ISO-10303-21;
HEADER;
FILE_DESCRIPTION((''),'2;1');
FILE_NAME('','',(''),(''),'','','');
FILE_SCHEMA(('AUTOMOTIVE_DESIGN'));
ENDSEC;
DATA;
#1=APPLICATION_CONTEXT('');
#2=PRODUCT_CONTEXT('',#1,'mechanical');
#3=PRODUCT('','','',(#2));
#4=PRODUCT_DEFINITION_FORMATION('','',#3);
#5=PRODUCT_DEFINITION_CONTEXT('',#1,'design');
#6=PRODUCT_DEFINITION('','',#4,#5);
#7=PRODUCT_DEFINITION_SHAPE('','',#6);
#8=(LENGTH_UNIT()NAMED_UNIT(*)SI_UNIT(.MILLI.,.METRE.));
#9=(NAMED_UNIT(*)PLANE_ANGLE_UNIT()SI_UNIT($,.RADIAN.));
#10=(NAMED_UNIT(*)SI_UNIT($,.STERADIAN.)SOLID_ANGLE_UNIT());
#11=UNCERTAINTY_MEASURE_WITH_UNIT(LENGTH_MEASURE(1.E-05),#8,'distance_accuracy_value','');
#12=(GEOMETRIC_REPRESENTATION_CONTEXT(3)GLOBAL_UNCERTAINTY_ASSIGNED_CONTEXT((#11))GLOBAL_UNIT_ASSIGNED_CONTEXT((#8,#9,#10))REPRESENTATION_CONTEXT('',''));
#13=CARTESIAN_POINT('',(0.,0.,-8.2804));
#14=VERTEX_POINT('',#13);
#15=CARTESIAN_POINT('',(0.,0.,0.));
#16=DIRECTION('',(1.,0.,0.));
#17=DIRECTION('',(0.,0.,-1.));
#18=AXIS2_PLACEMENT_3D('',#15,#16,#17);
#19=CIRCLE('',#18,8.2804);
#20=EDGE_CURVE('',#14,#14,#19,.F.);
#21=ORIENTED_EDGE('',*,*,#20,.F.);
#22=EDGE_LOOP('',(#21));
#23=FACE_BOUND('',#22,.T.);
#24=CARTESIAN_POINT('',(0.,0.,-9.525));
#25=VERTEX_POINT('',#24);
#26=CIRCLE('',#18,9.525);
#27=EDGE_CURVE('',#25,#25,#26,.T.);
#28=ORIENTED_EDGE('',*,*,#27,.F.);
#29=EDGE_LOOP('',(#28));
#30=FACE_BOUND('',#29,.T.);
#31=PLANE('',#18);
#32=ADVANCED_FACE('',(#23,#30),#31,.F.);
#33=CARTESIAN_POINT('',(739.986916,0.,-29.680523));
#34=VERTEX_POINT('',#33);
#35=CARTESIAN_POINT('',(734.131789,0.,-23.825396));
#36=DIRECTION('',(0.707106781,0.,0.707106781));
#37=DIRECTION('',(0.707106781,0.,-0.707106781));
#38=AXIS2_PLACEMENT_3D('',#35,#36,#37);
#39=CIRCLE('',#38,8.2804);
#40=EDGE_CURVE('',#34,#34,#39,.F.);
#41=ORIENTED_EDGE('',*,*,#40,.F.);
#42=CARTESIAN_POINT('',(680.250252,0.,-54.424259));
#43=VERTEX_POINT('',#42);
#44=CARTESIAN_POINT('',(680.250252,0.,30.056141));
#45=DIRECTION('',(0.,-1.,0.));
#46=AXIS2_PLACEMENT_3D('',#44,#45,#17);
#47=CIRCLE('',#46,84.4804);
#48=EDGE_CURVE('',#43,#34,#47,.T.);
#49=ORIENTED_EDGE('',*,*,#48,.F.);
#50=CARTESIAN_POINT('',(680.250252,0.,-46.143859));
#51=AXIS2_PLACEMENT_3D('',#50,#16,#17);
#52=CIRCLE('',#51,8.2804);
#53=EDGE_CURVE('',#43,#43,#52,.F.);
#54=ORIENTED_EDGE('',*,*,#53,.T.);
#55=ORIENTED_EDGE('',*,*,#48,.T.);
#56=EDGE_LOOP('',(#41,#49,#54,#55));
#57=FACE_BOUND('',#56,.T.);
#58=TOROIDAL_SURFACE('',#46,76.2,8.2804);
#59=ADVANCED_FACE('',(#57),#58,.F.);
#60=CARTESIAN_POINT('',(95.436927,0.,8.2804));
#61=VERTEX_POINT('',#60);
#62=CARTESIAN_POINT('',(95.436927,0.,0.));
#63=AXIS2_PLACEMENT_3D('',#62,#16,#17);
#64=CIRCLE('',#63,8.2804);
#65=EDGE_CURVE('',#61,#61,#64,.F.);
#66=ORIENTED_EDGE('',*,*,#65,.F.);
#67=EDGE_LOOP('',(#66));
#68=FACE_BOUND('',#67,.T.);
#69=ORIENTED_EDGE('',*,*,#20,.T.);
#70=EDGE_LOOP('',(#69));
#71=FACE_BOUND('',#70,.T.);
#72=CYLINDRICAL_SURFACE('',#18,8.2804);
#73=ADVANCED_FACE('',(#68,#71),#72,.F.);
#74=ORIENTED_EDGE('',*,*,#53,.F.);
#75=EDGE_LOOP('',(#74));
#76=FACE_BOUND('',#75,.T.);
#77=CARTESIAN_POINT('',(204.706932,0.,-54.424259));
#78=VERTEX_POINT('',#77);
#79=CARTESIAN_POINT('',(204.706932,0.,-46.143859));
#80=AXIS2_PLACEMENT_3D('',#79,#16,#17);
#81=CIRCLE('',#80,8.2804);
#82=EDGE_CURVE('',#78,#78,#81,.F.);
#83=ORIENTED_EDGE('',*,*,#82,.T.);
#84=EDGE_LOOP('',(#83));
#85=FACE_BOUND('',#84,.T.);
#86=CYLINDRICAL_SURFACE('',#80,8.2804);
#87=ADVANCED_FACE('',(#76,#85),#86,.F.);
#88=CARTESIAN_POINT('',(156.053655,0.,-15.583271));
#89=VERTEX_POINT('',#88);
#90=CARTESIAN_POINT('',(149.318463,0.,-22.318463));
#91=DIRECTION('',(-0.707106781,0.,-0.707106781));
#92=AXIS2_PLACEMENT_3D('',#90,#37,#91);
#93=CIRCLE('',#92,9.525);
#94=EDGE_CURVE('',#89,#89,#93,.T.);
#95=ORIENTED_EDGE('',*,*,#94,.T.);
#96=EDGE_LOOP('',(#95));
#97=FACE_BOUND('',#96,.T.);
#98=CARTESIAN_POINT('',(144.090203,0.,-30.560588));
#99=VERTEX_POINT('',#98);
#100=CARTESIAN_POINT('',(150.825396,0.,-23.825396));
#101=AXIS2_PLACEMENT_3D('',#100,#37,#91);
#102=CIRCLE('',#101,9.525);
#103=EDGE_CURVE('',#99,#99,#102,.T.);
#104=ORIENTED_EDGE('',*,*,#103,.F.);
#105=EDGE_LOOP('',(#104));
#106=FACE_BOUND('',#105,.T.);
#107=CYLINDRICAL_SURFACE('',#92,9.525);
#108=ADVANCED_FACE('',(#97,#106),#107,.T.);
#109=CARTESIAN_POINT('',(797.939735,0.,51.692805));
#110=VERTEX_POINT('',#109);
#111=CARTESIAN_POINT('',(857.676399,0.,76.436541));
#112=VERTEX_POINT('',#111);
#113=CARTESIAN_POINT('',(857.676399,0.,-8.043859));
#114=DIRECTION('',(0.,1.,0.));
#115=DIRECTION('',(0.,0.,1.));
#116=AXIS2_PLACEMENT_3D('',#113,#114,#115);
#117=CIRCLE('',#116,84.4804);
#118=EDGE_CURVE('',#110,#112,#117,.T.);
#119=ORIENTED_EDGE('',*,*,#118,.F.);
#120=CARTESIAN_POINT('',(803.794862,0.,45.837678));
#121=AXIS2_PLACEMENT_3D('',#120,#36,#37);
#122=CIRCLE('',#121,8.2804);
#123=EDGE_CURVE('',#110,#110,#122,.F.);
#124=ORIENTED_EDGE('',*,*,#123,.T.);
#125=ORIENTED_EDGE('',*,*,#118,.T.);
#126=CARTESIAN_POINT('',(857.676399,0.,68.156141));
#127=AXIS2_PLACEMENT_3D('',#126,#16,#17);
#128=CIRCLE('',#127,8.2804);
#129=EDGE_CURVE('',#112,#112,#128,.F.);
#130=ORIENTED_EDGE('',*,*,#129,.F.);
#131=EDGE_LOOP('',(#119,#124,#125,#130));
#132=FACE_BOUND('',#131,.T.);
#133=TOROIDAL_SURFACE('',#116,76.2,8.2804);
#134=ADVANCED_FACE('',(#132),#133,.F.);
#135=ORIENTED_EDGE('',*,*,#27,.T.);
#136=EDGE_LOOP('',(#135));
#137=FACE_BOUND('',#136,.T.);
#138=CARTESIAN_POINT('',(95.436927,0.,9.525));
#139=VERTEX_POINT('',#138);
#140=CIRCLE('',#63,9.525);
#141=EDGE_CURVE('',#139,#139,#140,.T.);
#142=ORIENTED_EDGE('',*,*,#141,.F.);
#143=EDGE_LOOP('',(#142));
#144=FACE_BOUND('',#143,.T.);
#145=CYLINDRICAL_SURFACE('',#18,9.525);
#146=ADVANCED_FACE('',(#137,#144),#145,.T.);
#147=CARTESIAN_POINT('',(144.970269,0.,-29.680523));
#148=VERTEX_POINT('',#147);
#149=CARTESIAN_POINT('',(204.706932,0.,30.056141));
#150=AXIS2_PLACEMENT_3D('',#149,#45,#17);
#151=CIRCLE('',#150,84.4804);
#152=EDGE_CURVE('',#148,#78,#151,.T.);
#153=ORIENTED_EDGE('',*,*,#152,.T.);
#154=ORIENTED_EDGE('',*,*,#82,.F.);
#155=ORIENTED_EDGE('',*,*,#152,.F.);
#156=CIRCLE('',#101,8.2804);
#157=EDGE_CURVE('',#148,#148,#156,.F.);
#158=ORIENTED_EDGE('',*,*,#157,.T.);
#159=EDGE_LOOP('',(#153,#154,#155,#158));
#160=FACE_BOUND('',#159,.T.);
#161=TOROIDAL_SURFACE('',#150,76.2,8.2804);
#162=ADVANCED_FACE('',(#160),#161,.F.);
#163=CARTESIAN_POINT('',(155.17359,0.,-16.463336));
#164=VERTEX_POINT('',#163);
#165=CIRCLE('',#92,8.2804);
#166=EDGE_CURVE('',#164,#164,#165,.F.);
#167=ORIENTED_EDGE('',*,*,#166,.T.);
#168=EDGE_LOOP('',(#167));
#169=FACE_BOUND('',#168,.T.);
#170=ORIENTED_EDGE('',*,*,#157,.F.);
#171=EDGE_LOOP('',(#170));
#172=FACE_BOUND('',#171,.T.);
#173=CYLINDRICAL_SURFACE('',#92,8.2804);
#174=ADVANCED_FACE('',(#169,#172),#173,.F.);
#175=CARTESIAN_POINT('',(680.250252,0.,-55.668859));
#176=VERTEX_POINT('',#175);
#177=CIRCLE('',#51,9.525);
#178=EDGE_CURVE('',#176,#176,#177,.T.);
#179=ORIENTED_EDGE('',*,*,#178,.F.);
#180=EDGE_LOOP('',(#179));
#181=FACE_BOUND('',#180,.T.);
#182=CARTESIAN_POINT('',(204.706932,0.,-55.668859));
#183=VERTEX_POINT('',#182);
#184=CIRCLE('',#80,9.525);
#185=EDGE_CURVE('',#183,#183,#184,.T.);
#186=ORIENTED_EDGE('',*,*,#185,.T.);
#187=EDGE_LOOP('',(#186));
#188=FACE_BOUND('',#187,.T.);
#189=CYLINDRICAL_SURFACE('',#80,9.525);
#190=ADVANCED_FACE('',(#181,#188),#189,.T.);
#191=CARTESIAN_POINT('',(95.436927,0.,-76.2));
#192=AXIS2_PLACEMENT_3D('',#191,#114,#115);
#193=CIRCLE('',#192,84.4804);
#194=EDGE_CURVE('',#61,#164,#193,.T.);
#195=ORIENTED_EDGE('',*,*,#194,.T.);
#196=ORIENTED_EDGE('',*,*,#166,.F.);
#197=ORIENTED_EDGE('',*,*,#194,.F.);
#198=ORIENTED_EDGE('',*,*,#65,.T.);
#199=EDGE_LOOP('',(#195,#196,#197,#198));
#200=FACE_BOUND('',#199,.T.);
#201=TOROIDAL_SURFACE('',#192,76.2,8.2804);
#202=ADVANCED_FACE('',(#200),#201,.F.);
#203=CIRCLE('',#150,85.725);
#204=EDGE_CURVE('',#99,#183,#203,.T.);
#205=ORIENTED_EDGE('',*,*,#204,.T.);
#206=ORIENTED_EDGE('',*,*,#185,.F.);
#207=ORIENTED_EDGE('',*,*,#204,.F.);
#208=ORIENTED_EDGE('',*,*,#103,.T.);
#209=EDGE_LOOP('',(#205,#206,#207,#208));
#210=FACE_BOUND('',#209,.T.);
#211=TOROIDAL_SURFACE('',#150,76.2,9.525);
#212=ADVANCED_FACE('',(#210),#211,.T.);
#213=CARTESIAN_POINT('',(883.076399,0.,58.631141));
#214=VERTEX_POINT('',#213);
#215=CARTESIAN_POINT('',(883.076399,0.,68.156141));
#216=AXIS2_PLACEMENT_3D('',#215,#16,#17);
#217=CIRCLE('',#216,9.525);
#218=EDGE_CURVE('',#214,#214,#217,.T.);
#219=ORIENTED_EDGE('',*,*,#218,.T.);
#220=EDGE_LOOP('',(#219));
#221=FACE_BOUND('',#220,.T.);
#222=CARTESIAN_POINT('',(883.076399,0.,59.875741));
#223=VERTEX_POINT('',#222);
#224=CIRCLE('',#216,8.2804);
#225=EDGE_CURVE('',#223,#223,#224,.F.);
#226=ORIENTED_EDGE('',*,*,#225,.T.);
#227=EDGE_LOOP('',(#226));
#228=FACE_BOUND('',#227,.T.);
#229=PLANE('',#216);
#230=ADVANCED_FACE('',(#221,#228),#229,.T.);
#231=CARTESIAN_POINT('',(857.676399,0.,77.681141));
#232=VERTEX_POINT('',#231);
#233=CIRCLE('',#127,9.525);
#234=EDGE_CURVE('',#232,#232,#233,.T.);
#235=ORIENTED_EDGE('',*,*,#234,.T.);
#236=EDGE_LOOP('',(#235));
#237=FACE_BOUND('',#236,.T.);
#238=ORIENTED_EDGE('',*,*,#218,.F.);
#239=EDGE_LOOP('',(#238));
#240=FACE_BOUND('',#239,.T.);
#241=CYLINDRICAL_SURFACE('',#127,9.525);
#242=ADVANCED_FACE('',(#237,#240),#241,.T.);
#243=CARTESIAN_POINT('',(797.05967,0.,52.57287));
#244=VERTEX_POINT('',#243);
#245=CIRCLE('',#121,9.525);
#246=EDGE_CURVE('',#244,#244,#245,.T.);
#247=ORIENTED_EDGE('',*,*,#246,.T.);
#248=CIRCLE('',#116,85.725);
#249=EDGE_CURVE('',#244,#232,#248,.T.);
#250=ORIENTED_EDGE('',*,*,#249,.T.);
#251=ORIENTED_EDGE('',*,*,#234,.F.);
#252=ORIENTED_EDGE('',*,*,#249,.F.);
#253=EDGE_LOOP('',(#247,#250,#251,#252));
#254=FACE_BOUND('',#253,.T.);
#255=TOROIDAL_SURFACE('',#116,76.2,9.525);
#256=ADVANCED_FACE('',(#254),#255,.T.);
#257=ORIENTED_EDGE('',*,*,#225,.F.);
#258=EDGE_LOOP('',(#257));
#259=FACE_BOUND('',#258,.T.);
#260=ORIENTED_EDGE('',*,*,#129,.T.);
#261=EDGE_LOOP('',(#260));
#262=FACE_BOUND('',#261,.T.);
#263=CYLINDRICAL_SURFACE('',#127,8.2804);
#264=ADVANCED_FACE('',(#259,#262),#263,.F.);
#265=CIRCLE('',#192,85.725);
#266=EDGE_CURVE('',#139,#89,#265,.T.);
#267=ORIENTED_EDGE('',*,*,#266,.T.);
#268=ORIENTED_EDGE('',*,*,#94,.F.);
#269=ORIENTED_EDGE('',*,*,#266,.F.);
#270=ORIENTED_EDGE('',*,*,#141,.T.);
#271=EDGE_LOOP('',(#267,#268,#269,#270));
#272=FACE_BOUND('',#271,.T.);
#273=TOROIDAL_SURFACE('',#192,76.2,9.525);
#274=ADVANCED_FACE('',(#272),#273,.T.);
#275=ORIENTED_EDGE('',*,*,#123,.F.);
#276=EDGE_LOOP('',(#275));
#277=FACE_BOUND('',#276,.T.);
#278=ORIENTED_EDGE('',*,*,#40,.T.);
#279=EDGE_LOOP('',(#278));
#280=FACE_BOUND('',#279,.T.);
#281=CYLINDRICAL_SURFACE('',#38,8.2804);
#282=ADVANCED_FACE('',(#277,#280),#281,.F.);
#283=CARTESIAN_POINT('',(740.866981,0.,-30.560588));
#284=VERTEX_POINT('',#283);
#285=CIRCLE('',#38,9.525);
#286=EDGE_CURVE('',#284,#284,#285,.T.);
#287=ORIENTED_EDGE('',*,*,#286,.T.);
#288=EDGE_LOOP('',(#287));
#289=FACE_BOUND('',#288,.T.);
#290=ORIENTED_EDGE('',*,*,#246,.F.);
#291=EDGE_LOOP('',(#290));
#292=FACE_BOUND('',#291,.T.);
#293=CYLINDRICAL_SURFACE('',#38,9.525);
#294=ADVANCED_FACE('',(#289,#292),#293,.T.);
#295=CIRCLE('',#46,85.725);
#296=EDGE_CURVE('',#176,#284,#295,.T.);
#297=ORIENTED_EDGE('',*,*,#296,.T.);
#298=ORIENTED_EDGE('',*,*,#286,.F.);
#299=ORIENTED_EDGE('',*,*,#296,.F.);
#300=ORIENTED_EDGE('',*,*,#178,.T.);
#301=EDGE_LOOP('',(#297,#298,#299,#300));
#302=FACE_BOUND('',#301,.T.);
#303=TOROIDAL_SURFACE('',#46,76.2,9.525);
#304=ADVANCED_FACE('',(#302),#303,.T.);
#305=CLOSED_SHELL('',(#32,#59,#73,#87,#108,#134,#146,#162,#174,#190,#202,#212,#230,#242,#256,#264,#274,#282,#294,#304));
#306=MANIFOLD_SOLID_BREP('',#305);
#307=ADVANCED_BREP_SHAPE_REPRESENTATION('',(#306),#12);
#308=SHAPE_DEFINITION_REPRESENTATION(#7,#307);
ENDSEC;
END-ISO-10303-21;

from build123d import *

# Parameters (mm, degrees)
SKETCH2_R   = 9.525
SKETCH2_R_2 = 8.2804


with BuildPart() as part:
    # Sweep1: sweep along a path in Sketch1
    with BuildLine(Plane(origin=(0, 0, 0), x_dir=(1, 0, 0), z_dir=(0, 1, 0))) as sweep1_path:
        Line((0, 0), (95.436926547, 0))
        ThreePointArc((95.436926547, 0), (124.597404093, 5.800379623), (149.318463274, 22.318463274))
        Line((149.318463274, 22.318463274), (150.825395518, 23.825395518))
        ThreePointArc((150.825395518, 23.825395518), (175.546454698, 40.343479169), (204.706932244, 46.143858792))
        Line((204.706932244, 46.143858792), (680.250251886, 46.143858792))
        ThreePointArc((680.250251886, 46.143858792), (709.410729432, 40.343479169), (734.131788612, 23.825395518))
        Line((734.131788612, 23.825395518), (803.794862065, -45.837677935))
        ThreePointArc((803.794862065, -45.837677935), (828.515921245, -62.355761586), (857.676398792, -68.156141208))
        Line((857.676398792, -68.156141208), (883.076398792, -68.156141208))
    # Sketch2 → Sweep1 (sweep)
    with BuildSketch(Plane(origin=(0, 0, 0), x_dir=(0, 0, -1), z_dir=(1, 0, 0))):
        Circle(SKETCH2_R)
        Circle(SKETCH2_R_2, mode=Mode.SUBTRACT)
    sweep(path=sweep1_path.line)


solid = part.part
